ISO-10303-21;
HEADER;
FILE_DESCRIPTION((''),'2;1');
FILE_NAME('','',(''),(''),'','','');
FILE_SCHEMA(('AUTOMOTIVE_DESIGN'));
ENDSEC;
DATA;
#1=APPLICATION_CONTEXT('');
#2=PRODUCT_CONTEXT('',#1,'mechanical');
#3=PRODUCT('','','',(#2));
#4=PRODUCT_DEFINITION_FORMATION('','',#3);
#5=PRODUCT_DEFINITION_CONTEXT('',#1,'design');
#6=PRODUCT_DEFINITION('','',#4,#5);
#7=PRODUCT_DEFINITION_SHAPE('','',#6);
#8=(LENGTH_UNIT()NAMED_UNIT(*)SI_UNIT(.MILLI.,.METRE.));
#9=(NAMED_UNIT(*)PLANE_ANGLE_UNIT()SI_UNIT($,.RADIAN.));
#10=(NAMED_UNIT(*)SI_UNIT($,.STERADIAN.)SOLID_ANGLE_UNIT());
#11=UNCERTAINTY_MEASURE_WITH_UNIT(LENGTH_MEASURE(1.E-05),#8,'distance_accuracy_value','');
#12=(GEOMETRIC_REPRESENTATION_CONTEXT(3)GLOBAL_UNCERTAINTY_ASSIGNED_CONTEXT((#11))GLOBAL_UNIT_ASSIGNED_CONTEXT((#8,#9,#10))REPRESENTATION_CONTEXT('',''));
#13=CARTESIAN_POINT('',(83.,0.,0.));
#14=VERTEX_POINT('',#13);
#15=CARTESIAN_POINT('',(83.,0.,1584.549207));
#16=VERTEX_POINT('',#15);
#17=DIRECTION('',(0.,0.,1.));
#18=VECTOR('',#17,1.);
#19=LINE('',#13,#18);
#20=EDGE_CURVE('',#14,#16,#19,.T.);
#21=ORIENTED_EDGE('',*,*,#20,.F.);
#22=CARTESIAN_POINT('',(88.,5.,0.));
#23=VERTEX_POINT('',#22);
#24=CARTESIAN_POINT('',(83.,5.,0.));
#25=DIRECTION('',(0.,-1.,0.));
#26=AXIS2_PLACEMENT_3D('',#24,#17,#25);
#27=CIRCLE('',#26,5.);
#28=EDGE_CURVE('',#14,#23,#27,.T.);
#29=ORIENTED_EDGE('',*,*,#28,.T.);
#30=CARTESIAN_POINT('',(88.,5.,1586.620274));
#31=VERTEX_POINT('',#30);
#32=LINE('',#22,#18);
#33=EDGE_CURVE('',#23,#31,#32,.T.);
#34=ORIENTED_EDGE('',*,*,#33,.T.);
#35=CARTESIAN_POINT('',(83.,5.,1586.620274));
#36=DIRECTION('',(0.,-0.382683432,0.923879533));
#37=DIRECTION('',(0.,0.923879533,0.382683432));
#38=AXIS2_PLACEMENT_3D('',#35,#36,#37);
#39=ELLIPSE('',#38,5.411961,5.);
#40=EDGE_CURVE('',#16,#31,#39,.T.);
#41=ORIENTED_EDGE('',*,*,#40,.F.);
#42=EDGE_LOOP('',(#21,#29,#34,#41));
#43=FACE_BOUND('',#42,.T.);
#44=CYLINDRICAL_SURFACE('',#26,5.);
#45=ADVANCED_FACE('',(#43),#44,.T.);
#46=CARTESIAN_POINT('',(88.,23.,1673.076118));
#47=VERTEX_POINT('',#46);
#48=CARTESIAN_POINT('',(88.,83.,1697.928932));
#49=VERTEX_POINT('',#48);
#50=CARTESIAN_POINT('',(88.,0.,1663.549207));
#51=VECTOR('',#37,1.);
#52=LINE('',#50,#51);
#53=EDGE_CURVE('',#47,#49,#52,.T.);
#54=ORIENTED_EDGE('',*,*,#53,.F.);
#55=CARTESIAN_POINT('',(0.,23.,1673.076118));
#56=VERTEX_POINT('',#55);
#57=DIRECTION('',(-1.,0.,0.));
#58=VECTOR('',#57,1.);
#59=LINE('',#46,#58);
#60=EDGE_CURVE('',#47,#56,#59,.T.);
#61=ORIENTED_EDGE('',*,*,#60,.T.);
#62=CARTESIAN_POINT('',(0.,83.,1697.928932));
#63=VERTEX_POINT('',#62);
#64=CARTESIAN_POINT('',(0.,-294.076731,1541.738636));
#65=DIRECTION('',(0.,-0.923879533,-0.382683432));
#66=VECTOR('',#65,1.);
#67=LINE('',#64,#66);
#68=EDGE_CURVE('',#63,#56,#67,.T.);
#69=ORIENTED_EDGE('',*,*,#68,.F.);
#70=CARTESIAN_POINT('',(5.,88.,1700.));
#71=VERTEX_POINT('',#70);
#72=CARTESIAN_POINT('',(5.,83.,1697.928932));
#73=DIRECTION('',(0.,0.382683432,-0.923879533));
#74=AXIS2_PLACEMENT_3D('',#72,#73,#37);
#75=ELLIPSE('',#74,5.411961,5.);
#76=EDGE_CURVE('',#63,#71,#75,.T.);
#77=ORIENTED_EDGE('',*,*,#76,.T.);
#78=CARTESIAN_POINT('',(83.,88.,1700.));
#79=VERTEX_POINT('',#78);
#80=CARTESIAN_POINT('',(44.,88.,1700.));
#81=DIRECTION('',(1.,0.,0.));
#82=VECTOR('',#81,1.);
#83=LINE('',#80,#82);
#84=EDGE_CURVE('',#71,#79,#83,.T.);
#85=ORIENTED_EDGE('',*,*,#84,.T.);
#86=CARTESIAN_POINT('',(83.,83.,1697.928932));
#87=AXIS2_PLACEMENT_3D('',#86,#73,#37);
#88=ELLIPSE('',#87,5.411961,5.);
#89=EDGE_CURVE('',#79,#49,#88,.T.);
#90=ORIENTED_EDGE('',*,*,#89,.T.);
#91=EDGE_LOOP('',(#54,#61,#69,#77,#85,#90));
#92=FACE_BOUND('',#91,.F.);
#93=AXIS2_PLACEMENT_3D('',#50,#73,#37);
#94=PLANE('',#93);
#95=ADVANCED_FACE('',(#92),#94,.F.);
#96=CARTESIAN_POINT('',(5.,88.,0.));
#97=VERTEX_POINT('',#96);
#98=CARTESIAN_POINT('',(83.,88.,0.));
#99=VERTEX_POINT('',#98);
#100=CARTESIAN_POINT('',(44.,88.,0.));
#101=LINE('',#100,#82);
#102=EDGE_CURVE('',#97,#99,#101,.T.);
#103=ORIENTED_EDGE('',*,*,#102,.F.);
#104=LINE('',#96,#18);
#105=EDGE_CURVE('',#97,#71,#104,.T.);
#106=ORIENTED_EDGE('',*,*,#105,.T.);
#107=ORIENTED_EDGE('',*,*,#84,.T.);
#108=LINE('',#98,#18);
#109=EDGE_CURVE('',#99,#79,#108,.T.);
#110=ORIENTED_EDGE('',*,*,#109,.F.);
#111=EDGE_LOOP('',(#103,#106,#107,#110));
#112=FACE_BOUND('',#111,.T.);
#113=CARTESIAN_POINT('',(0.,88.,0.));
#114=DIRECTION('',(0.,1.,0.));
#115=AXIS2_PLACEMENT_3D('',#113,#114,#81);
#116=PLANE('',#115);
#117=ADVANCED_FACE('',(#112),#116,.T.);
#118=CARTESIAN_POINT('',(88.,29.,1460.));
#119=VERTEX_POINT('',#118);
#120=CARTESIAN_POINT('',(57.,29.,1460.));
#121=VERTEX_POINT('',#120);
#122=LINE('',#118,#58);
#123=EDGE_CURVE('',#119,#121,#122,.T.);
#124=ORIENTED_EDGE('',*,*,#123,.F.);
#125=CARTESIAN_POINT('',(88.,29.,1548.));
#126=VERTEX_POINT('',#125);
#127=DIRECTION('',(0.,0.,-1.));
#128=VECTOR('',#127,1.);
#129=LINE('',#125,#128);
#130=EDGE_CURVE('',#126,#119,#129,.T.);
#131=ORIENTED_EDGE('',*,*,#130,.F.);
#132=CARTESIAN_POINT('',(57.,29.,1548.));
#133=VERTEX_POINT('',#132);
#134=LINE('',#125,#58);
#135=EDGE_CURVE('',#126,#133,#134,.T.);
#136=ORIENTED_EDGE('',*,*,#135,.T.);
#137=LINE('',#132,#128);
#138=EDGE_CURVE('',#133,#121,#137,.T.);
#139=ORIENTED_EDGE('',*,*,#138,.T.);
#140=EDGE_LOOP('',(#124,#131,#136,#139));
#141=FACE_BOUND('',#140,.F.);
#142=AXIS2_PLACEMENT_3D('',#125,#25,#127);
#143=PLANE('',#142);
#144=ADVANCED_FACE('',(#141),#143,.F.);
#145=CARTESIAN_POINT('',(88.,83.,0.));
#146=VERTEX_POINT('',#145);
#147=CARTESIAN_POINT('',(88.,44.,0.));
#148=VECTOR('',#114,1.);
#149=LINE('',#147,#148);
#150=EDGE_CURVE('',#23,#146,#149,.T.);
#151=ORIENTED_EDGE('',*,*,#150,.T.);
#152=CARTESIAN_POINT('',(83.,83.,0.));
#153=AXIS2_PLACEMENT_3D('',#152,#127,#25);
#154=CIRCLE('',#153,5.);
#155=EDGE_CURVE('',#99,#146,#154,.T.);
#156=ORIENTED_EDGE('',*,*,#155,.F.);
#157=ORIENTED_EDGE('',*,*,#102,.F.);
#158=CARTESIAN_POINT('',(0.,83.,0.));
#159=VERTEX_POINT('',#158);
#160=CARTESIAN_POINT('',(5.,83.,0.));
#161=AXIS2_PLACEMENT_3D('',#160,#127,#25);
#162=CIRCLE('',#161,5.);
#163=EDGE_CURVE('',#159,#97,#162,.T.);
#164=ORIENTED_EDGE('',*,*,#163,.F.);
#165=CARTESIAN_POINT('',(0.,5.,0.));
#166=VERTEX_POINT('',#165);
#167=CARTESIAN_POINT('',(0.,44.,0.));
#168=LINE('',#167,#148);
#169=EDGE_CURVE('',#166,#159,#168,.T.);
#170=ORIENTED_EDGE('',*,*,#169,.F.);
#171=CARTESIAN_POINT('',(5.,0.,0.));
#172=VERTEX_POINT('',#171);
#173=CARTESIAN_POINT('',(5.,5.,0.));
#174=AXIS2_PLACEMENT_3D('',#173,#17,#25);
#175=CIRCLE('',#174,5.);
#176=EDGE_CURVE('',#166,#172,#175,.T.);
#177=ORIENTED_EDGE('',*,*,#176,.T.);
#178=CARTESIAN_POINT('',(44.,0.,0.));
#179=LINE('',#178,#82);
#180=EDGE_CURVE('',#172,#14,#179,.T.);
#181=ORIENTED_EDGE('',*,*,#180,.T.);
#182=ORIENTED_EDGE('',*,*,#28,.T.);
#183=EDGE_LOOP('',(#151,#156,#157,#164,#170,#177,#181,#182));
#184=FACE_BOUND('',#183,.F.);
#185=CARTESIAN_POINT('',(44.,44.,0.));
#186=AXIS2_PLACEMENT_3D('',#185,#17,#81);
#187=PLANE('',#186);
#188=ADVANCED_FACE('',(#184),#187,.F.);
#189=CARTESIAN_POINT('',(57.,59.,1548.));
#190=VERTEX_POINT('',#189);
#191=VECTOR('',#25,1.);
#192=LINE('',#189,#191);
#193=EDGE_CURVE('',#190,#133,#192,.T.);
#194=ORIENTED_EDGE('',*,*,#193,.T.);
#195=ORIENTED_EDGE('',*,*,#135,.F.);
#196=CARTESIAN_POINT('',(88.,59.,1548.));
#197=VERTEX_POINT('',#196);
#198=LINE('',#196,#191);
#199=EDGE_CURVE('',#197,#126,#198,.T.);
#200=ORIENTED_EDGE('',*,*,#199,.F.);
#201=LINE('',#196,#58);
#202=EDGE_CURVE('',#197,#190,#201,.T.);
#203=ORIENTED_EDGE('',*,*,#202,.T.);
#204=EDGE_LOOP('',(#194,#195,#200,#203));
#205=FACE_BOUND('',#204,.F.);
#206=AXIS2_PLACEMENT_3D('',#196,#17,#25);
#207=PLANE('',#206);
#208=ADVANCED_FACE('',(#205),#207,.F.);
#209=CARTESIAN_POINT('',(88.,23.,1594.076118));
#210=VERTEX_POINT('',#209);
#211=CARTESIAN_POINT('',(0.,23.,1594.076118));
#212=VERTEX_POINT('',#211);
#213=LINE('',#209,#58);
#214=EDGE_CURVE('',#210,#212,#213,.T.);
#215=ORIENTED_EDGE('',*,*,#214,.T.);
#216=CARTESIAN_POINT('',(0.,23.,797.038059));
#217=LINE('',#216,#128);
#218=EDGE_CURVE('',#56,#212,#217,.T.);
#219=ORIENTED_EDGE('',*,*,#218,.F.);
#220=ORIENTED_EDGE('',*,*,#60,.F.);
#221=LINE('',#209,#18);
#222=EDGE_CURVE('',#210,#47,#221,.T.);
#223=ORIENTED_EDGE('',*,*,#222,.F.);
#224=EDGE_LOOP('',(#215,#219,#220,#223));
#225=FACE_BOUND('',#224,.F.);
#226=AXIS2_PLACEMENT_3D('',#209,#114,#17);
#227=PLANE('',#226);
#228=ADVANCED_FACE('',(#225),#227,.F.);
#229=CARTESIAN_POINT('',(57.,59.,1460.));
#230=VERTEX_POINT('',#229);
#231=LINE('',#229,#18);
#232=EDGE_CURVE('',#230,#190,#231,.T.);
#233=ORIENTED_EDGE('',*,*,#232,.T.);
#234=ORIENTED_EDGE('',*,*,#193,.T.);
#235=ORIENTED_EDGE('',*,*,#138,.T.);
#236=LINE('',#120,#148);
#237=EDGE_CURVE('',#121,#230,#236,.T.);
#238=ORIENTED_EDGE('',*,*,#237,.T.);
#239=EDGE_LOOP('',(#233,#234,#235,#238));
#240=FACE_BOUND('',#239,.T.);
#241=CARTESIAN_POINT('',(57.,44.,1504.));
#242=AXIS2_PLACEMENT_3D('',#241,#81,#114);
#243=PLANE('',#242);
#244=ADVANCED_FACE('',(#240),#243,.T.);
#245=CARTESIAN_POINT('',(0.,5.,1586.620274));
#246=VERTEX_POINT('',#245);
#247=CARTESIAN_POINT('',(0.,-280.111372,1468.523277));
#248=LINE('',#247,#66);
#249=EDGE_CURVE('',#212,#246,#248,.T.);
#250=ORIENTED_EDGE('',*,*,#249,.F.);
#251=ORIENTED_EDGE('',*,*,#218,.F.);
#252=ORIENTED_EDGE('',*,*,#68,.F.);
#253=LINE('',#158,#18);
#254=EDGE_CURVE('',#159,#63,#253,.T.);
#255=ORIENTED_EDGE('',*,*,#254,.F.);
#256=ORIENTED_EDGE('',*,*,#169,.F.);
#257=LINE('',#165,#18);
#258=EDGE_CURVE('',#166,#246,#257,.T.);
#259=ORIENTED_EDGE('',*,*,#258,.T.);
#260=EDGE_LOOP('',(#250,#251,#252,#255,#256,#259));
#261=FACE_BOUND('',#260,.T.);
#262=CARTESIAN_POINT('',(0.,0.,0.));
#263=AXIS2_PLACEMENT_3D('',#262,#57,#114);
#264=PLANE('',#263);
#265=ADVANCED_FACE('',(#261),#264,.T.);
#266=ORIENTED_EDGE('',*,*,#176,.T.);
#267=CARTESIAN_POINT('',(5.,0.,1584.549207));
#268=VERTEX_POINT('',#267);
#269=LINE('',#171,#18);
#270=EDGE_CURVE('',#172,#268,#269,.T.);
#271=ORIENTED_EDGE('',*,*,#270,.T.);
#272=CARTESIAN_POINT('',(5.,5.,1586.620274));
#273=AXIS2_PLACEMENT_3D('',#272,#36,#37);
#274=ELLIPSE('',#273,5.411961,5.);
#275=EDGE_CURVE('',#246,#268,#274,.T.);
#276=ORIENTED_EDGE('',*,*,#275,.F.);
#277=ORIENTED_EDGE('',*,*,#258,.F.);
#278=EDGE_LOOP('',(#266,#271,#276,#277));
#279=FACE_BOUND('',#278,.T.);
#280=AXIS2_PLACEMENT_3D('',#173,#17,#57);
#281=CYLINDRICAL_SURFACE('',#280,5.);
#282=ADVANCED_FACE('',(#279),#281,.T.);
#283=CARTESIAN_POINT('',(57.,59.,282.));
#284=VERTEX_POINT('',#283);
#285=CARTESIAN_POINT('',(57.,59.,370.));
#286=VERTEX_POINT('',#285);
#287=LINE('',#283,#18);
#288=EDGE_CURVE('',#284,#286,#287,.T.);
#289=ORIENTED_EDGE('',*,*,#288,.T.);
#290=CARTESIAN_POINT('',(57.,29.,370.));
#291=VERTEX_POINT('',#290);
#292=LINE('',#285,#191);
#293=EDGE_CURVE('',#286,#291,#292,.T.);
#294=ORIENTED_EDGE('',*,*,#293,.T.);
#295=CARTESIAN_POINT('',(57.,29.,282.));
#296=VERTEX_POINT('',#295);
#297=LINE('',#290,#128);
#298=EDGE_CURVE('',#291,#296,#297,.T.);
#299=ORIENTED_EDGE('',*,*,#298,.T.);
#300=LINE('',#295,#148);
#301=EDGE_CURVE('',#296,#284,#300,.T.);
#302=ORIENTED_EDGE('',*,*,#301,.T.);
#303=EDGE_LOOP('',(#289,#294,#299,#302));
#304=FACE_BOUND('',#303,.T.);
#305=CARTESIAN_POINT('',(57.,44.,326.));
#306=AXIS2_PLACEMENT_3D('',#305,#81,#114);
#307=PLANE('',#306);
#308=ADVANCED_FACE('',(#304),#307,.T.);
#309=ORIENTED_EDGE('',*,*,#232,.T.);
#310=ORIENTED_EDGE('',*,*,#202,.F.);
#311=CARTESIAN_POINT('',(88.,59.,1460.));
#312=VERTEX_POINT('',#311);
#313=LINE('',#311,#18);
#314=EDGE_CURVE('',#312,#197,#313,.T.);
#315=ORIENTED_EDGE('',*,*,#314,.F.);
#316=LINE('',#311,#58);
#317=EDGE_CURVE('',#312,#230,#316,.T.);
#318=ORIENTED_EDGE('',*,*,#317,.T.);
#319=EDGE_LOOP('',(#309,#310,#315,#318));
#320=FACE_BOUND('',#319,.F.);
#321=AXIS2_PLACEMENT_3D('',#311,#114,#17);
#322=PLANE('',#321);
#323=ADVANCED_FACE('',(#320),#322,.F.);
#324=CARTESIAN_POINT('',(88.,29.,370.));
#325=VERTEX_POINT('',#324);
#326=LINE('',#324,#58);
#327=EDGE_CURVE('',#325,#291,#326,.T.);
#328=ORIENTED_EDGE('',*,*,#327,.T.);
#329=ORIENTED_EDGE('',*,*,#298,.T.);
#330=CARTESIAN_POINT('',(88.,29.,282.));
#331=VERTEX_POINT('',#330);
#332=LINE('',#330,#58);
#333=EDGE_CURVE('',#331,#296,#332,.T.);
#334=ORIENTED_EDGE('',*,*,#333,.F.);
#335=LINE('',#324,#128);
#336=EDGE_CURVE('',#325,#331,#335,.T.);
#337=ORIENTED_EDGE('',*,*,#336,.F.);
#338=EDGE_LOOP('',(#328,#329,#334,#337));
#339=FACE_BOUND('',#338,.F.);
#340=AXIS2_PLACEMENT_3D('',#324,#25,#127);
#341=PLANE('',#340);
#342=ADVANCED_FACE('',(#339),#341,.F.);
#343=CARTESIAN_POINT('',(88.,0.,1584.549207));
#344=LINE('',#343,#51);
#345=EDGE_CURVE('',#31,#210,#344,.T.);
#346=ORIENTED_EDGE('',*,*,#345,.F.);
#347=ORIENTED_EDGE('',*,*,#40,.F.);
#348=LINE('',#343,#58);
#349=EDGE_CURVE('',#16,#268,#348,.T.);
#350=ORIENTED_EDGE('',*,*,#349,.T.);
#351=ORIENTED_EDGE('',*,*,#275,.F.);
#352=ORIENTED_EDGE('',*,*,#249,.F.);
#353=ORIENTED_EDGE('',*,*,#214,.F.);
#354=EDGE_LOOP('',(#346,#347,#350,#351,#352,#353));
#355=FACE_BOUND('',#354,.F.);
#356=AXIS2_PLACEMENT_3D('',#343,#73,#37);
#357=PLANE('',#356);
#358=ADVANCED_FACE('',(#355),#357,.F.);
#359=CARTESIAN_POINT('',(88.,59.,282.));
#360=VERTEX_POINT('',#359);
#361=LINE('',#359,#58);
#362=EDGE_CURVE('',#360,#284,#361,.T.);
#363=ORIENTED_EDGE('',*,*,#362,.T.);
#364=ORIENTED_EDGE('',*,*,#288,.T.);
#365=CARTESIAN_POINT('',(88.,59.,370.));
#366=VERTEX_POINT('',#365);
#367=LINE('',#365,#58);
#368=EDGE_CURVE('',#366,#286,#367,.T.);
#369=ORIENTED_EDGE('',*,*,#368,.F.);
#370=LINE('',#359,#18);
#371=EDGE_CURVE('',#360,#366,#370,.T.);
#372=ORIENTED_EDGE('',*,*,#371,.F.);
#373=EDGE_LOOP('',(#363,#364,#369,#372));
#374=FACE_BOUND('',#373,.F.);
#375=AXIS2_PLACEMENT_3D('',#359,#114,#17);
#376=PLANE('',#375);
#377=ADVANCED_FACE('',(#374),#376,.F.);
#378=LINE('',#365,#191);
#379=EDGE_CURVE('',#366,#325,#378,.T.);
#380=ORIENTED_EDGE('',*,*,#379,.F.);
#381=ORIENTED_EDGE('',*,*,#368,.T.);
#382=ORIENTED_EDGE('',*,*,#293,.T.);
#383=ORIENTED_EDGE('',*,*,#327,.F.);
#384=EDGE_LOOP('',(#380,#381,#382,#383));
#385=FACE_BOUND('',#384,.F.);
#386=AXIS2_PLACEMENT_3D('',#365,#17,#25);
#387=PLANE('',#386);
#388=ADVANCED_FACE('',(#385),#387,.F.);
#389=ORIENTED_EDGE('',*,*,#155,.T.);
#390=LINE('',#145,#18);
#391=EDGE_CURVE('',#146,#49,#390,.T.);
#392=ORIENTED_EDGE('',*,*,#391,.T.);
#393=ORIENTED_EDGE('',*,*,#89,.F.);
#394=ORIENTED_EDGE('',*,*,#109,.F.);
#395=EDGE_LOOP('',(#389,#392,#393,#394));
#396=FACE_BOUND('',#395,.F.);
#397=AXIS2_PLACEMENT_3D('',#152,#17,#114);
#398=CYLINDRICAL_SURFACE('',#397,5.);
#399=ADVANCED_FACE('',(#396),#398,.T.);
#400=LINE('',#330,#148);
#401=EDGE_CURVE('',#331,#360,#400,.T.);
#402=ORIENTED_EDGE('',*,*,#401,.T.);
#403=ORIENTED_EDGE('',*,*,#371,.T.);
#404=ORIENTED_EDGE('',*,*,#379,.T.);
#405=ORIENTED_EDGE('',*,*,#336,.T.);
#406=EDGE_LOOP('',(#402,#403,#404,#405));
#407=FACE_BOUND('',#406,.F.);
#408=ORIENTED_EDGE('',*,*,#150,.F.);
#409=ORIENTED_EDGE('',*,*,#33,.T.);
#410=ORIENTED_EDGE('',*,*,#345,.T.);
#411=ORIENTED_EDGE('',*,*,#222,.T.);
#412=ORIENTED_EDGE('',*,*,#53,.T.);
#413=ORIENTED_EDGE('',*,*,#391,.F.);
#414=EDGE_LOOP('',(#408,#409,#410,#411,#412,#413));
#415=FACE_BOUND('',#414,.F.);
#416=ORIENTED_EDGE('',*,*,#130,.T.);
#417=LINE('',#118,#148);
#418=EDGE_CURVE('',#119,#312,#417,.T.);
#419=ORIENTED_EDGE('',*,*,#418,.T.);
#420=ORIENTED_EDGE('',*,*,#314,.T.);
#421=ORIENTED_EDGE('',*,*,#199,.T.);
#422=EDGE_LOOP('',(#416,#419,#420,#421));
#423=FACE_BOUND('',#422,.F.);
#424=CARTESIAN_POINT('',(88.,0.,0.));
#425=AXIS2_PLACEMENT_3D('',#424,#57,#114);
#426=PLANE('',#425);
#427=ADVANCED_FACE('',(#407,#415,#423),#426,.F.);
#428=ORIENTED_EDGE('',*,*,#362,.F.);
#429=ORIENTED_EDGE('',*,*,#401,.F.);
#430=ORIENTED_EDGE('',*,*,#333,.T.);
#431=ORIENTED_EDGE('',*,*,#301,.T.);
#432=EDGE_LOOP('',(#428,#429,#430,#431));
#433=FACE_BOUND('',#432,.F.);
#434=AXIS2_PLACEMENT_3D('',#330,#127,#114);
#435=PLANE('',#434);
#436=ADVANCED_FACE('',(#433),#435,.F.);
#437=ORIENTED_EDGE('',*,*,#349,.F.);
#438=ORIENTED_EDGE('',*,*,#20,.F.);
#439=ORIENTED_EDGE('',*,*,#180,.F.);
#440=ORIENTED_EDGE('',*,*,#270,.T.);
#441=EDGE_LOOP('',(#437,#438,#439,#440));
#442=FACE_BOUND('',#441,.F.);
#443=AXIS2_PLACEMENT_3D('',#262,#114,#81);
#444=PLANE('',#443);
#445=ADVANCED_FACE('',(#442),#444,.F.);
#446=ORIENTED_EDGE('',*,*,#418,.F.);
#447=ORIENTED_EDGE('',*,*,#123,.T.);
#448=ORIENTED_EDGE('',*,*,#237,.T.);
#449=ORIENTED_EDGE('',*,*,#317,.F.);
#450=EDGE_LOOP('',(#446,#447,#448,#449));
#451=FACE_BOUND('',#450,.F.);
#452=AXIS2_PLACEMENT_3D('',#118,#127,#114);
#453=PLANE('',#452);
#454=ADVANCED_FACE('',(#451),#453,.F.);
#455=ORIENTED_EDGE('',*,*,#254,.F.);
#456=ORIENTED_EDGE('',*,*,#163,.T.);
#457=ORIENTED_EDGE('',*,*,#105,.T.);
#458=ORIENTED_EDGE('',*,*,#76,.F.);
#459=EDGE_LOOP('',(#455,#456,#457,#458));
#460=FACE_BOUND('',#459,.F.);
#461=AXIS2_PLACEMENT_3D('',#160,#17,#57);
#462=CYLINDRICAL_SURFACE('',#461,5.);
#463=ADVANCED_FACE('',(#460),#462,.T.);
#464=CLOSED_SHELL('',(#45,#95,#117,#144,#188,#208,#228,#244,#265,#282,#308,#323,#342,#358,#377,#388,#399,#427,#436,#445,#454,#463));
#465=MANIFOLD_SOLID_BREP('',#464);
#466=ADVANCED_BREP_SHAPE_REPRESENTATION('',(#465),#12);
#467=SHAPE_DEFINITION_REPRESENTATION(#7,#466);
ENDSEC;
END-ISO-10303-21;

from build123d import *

# Parameters (mm, degrees)
F0_W     = 88
F0_H     = 88
F1_DEPTH = 1700
F3_DEPTH = 31
F5_DEPTH = 31
F7_DEPTH = 88.001
F9_DEPTH = 88.001
F10_R    = 5


with BuildPart() as f1:
    # F0 (on Top) → F1 (new body)
    with BuildSketch(Plane.XY):
        with Locations((44, 44)):
            Rectangle(F0_W, F0_H)
    extrude(amount=F1_DEPTH)

    # F2 (on face) → F3 (cut)
    with BuildSketch(Plane.YZ.offset(88)):
        Polygon((29, 282), (44, 282), (59, 282), (59, 370), (29, 370), align=None)
    extrude(amount=-F3_DEPTH, mode=Mode.SUBTRACT)

    # F4 (on face) → F5 (cut)
    with BuildSketch(Plane.YZ.offset(88)):
        Polygon((29, 1460), (44, 1460), (59, 1460), (59, 1548), (29, 1548), align=None)
    extrude(amount=-F5_DEPTH, mode=Mode.SUBTRACT)

    # F6 (on face) → F7 (cut, through all)
    with BuildSketch(Plane.YZ.offset(88)):
        Polygon((0, 1663.5492065112), (88, 1700), (0, 1700), align=None)
    extrude(amount=-F7_DEPTH, mode=Mode.SUBTRACT)

    # F8 (on face) → F9 (cut, through all)
    with BuildSketch(Plane.YZ.offset(88)):
        Polygon((23, 1594.0761184457), (23, 1673.0761184457), (0, 1663.5492065112), (0, 1584.5492065112), align=None)
    extrude(amount=-F9_DEPTH, mode=Mode.SUBTRACT)

    # F10
    f10_edges = [f1.edges().sort_by_distance(p)[0] for p in [
        (0, 0, 792.274603),
        (88, 0, 792.274603),
        (88, 88, 850),
        (0, 88, 850),
    ]]
    fillet(f10_edges, radius=F10_R)


solid = f1.part
